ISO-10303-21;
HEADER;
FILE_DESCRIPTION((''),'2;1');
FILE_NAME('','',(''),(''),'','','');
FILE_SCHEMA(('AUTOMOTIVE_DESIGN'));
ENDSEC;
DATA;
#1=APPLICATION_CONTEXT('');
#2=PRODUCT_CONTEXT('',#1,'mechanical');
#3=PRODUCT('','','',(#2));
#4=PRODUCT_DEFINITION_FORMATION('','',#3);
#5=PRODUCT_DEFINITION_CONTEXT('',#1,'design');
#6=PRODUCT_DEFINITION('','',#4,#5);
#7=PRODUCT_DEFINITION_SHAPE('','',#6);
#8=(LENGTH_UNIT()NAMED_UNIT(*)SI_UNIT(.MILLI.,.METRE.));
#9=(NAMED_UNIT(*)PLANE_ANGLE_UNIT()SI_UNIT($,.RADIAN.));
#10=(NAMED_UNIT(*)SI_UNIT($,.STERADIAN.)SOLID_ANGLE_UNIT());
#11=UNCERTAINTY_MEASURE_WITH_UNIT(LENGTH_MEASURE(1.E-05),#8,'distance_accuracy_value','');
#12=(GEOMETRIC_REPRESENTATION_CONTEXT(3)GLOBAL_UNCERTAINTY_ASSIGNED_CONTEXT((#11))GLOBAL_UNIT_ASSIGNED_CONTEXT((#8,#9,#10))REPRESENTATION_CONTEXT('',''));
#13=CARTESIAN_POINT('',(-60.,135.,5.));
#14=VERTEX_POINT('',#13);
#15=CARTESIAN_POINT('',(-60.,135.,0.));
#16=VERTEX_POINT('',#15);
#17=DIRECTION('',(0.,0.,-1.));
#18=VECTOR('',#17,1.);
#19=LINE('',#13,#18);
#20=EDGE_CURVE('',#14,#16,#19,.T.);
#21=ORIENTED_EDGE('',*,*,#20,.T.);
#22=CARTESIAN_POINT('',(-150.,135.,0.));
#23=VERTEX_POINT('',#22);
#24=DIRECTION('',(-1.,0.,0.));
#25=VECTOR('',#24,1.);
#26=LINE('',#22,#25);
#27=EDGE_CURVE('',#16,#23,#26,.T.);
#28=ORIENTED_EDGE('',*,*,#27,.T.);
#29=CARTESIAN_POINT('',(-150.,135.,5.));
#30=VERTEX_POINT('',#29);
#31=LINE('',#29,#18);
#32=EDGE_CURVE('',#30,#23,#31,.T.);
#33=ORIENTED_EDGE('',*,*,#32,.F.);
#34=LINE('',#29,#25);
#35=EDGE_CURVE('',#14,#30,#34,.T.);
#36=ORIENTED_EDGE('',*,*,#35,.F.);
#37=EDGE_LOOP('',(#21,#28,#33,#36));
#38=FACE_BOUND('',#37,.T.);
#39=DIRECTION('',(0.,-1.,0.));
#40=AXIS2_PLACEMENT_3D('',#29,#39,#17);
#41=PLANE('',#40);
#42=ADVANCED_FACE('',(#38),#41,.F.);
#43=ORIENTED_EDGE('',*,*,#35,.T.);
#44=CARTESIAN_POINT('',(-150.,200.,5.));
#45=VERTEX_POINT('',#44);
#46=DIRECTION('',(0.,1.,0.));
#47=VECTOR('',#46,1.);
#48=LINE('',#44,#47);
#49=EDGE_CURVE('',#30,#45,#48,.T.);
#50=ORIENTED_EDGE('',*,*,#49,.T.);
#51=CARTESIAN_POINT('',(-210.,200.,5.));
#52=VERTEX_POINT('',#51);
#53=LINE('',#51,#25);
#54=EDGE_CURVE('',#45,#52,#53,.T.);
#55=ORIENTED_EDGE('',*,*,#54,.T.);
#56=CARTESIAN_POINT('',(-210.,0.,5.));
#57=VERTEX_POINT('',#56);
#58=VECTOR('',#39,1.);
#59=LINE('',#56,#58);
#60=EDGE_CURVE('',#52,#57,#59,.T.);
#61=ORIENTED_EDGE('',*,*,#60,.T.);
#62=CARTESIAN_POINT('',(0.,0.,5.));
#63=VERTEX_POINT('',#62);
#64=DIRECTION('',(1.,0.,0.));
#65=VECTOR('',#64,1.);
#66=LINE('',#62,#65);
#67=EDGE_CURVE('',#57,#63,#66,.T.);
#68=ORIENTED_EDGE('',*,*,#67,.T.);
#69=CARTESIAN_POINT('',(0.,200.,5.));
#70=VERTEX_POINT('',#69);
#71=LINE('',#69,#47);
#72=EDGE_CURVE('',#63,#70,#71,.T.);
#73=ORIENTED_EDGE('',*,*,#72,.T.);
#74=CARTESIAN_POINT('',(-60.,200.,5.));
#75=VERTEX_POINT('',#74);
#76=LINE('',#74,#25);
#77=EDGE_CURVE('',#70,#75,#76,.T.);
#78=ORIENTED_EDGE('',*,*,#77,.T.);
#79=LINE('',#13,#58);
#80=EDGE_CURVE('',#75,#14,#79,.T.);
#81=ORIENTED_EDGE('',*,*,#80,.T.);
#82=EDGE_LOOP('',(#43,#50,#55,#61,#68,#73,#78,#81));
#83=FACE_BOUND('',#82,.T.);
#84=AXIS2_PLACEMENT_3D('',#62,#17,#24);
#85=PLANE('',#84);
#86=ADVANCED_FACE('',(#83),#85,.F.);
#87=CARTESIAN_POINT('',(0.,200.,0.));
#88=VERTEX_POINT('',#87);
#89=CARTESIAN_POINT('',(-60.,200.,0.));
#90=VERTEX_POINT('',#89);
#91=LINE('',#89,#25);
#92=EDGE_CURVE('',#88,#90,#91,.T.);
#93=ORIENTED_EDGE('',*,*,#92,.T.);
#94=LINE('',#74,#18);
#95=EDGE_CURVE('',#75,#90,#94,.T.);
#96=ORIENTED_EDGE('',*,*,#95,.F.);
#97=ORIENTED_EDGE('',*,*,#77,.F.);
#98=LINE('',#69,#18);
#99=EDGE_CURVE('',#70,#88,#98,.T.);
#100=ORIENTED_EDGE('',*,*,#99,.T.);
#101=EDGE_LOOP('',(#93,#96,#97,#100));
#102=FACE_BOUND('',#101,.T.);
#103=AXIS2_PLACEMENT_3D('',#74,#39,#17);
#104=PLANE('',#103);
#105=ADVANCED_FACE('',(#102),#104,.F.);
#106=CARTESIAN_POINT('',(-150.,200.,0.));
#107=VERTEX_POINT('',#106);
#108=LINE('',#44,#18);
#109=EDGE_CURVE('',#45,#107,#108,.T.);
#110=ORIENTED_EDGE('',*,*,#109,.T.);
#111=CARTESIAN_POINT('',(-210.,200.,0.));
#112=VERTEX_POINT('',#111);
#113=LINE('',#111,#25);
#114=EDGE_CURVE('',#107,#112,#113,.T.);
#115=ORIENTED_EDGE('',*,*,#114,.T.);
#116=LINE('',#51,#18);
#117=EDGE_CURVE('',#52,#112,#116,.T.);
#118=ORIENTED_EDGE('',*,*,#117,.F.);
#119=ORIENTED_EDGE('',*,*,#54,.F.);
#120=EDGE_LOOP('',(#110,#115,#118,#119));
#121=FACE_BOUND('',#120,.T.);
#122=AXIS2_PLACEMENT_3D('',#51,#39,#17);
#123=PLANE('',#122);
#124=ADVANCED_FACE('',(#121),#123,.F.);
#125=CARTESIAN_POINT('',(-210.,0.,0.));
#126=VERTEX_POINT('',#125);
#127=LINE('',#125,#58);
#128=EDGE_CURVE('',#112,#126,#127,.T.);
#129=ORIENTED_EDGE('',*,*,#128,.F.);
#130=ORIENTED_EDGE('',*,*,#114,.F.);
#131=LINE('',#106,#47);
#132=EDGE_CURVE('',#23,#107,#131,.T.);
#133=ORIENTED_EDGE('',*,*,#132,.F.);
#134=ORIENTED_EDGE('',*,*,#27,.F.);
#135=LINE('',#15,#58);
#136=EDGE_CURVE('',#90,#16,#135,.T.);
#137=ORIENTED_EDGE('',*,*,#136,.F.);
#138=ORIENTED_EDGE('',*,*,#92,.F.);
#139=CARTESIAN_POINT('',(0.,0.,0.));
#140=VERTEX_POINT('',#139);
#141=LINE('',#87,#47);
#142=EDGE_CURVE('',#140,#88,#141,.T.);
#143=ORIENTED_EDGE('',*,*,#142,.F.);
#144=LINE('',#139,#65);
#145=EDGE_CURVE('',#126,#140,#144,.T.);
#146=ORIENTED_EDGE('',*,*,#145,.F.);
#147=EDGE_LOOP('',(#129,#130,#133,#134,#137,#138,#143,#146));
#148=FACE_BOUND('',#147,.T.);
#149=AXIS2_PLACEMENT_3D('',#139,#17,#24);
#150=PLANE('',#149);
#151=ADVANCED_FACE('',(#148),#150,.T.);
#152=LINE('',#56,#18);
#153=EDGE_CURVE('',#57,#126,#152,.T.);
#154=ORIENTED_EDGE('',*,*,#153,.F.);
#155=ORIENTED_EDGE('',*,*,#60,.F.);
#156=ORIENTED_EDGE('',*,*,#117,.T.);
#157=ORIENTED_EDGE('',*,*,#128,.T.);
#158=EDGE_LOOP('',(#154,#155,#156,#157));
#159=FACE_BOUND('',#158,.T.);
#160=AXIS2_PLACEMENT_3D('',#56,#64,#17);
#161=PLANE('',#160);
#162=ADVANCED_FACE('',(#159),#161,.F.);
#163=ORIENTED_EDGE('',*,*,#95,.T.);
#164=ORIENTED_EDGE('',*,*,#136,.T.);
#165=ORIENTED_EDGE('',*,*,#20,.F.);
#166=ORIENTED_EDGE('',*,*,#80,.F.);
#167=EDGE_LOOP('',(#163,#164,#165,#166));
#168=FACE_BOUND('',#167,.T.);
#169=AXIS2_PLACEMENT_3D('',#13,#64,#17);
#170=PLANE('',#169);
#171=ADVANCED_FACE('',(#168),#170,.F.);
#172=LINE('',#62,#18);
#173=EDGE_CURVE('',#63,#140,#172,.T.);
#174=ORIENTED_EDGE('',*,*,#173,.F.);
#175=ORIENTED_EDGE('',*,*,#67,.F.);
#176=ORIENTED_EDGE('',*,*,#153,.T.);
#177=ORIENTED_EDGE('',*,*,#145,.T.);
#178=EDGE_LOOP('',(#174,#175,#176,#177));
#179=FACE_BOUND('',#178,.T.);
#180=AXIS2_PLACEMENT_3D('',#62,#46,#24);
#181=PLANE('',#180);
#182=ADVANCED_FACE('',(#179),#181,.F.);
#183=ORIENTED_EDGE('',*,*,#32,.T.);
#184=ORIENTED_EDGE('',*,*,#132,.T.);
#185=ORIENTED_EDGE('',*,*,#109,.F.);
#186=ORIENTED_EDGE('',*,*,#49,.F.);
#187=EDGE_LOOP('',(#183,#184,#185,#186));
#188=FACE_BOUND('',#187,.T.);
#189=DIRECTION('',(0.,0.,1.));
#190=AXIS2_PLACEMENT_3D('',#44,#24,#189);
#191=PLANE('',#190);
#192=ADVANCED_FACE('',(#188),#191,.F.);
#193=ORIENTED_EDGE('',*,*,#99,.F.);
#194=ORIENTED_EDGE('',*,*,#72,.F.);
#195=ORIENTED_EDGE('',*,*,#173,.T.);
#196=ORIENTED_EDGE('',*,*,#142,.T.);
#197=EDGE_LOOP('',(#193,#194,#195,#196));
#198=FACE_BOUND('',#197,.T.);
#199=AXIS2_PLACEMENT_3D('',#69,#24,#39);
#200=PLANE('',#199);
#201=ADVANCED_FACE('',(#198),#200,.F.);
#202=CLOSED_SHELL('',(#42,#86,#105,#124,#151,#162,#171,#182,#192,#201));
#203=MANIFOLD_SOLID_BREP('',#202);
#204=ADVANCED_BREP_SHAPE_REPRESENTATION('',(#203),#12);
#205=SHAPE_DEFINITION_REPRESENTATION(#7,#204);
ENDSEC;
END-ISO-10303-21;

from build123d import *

# Parameters (mm, degrees)
BOSS_EXTRUDE1_DEPTH = 5


with BuildPart() as part:
    # Sketch1 → Boss-Extrude1 (new body)
    with BuildSketch(Plane.XY):
        Polygon((-210, 200), (-150, 200), (-150, 135), (-60, 135), (-60, 200), (0, 200), (0, 0), (-210, 0), align=None)
    extrude(amount=BOSS_EXTRUDE1_DEPTH)


solid = part.part
